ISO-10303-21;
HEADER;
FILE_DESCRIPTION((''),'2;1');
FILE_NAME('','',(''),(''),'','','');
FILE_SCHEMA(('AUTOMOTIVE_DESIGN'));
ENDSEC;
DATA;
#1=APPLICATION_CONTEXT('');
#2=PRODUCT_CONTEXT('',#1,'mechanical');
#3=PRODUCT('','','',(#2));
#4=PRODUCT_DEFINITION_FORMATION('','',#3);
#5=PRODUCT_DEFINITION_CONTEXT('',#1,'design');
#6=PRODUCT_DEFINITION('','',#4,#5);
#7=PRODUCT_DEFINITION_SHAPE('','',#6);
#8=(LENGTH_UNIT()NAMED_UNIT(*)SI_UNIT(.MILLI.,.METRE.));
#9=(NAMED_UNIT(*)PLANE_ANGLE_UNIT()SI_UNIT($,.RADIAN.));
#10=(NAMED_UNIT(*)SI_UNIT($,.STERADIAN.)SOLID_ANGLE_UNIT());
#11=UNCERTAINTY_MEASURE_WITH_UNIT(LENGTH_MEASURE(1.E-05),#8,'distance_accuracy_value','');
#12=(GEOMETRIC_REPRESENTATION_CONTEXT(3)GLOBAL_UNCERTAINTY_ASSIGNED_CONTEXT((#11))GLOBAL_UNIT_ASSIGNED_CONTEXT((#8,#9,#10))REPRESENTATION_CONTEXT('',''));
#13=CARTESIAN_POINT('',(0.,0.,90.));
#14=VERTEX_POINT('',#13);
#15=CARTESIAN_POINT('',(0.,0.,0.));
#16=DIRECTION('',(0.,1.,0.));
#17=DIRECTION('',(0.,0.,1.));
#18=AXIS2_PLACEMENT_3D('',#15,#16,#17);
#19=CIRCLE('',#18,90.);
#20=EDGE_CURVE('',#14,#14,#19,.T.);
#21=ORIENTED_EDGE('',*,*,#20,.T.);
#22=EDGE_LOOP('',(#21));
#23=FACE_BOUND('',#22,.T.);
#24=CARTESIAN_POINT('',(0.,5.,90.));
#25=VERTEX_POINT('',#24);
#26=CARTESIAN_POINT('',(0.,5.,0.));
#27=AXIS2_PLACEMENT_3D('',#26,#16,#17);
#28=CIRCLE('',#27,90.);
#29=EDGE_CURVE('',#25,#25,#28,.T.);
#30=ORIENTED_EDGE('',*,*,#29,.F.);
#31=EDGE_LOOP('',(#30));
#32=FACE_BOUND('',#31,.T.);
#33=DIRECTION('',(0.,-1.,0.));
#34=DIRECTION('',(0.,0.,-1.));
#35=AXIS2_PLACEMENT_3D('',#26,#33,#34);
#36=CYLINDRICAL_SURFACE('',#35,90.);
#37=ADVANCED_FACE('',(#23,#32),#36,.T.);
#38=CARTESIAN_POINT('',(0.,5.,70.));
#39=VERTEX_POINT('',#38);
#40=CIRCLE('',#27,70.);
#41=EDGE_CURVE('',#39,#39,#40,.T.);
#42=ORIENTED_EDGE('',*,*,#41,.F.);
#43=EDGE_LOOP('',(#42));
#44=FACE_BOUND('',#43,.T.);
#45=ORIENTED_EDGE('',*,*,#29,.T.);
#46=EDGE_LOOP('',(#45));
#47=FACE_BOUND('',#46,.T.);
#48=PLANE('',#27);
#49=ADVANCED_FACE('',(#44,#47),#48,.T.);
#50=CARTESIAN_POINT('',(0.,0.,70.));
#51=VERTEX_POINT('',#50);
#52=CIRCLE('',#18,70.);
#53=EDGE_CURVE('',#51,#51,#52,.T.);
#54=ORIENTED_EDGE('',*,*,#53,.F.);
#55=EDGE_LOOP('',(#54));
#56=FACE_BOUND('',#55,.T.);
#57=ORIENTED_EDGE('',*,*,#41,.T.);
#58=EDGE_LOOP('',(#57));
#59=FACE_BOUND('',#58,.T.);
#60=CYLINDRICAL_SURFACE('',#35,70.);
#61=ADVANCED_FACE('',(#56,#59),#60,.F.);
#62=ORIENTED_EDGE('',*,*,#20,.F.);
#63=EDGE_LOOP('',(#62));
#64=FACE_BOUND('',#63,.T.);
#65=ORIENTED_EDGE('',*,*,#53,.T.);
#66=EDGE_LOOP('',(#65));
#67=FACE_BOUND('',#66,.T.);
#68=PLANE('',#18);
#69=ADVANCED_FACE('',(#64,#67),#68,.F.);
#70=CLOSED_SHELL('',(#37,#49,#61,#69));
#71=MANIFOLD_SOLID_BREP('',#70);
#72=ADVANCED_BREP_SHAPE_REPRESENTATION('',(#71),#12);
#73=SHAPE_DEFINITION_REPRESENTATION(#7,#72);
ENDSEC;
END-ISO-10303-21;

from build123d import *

# Parameters (mm, degrees)
SKETCH1_R           = 90
SKETCH1_R_2         = 70
BOSS_EXTRUDE1_DEPTH = 5


with BuildPart() as part:
    # Sketch1 → Boss-Extrude1 (new body)
    with BuildSketch(Plane(origin=(0, 0, 0), x_dir=(1, 0, 0), z_dir=(0, 1, 0))):
        Circle(SKETCH1_R)
        Circle(SKETCH1_R_2, mode=Mode.SUBTRACT)
    extrude(amount=BOSS_EXTRUDE1_DEPTH)


solid = part.part
